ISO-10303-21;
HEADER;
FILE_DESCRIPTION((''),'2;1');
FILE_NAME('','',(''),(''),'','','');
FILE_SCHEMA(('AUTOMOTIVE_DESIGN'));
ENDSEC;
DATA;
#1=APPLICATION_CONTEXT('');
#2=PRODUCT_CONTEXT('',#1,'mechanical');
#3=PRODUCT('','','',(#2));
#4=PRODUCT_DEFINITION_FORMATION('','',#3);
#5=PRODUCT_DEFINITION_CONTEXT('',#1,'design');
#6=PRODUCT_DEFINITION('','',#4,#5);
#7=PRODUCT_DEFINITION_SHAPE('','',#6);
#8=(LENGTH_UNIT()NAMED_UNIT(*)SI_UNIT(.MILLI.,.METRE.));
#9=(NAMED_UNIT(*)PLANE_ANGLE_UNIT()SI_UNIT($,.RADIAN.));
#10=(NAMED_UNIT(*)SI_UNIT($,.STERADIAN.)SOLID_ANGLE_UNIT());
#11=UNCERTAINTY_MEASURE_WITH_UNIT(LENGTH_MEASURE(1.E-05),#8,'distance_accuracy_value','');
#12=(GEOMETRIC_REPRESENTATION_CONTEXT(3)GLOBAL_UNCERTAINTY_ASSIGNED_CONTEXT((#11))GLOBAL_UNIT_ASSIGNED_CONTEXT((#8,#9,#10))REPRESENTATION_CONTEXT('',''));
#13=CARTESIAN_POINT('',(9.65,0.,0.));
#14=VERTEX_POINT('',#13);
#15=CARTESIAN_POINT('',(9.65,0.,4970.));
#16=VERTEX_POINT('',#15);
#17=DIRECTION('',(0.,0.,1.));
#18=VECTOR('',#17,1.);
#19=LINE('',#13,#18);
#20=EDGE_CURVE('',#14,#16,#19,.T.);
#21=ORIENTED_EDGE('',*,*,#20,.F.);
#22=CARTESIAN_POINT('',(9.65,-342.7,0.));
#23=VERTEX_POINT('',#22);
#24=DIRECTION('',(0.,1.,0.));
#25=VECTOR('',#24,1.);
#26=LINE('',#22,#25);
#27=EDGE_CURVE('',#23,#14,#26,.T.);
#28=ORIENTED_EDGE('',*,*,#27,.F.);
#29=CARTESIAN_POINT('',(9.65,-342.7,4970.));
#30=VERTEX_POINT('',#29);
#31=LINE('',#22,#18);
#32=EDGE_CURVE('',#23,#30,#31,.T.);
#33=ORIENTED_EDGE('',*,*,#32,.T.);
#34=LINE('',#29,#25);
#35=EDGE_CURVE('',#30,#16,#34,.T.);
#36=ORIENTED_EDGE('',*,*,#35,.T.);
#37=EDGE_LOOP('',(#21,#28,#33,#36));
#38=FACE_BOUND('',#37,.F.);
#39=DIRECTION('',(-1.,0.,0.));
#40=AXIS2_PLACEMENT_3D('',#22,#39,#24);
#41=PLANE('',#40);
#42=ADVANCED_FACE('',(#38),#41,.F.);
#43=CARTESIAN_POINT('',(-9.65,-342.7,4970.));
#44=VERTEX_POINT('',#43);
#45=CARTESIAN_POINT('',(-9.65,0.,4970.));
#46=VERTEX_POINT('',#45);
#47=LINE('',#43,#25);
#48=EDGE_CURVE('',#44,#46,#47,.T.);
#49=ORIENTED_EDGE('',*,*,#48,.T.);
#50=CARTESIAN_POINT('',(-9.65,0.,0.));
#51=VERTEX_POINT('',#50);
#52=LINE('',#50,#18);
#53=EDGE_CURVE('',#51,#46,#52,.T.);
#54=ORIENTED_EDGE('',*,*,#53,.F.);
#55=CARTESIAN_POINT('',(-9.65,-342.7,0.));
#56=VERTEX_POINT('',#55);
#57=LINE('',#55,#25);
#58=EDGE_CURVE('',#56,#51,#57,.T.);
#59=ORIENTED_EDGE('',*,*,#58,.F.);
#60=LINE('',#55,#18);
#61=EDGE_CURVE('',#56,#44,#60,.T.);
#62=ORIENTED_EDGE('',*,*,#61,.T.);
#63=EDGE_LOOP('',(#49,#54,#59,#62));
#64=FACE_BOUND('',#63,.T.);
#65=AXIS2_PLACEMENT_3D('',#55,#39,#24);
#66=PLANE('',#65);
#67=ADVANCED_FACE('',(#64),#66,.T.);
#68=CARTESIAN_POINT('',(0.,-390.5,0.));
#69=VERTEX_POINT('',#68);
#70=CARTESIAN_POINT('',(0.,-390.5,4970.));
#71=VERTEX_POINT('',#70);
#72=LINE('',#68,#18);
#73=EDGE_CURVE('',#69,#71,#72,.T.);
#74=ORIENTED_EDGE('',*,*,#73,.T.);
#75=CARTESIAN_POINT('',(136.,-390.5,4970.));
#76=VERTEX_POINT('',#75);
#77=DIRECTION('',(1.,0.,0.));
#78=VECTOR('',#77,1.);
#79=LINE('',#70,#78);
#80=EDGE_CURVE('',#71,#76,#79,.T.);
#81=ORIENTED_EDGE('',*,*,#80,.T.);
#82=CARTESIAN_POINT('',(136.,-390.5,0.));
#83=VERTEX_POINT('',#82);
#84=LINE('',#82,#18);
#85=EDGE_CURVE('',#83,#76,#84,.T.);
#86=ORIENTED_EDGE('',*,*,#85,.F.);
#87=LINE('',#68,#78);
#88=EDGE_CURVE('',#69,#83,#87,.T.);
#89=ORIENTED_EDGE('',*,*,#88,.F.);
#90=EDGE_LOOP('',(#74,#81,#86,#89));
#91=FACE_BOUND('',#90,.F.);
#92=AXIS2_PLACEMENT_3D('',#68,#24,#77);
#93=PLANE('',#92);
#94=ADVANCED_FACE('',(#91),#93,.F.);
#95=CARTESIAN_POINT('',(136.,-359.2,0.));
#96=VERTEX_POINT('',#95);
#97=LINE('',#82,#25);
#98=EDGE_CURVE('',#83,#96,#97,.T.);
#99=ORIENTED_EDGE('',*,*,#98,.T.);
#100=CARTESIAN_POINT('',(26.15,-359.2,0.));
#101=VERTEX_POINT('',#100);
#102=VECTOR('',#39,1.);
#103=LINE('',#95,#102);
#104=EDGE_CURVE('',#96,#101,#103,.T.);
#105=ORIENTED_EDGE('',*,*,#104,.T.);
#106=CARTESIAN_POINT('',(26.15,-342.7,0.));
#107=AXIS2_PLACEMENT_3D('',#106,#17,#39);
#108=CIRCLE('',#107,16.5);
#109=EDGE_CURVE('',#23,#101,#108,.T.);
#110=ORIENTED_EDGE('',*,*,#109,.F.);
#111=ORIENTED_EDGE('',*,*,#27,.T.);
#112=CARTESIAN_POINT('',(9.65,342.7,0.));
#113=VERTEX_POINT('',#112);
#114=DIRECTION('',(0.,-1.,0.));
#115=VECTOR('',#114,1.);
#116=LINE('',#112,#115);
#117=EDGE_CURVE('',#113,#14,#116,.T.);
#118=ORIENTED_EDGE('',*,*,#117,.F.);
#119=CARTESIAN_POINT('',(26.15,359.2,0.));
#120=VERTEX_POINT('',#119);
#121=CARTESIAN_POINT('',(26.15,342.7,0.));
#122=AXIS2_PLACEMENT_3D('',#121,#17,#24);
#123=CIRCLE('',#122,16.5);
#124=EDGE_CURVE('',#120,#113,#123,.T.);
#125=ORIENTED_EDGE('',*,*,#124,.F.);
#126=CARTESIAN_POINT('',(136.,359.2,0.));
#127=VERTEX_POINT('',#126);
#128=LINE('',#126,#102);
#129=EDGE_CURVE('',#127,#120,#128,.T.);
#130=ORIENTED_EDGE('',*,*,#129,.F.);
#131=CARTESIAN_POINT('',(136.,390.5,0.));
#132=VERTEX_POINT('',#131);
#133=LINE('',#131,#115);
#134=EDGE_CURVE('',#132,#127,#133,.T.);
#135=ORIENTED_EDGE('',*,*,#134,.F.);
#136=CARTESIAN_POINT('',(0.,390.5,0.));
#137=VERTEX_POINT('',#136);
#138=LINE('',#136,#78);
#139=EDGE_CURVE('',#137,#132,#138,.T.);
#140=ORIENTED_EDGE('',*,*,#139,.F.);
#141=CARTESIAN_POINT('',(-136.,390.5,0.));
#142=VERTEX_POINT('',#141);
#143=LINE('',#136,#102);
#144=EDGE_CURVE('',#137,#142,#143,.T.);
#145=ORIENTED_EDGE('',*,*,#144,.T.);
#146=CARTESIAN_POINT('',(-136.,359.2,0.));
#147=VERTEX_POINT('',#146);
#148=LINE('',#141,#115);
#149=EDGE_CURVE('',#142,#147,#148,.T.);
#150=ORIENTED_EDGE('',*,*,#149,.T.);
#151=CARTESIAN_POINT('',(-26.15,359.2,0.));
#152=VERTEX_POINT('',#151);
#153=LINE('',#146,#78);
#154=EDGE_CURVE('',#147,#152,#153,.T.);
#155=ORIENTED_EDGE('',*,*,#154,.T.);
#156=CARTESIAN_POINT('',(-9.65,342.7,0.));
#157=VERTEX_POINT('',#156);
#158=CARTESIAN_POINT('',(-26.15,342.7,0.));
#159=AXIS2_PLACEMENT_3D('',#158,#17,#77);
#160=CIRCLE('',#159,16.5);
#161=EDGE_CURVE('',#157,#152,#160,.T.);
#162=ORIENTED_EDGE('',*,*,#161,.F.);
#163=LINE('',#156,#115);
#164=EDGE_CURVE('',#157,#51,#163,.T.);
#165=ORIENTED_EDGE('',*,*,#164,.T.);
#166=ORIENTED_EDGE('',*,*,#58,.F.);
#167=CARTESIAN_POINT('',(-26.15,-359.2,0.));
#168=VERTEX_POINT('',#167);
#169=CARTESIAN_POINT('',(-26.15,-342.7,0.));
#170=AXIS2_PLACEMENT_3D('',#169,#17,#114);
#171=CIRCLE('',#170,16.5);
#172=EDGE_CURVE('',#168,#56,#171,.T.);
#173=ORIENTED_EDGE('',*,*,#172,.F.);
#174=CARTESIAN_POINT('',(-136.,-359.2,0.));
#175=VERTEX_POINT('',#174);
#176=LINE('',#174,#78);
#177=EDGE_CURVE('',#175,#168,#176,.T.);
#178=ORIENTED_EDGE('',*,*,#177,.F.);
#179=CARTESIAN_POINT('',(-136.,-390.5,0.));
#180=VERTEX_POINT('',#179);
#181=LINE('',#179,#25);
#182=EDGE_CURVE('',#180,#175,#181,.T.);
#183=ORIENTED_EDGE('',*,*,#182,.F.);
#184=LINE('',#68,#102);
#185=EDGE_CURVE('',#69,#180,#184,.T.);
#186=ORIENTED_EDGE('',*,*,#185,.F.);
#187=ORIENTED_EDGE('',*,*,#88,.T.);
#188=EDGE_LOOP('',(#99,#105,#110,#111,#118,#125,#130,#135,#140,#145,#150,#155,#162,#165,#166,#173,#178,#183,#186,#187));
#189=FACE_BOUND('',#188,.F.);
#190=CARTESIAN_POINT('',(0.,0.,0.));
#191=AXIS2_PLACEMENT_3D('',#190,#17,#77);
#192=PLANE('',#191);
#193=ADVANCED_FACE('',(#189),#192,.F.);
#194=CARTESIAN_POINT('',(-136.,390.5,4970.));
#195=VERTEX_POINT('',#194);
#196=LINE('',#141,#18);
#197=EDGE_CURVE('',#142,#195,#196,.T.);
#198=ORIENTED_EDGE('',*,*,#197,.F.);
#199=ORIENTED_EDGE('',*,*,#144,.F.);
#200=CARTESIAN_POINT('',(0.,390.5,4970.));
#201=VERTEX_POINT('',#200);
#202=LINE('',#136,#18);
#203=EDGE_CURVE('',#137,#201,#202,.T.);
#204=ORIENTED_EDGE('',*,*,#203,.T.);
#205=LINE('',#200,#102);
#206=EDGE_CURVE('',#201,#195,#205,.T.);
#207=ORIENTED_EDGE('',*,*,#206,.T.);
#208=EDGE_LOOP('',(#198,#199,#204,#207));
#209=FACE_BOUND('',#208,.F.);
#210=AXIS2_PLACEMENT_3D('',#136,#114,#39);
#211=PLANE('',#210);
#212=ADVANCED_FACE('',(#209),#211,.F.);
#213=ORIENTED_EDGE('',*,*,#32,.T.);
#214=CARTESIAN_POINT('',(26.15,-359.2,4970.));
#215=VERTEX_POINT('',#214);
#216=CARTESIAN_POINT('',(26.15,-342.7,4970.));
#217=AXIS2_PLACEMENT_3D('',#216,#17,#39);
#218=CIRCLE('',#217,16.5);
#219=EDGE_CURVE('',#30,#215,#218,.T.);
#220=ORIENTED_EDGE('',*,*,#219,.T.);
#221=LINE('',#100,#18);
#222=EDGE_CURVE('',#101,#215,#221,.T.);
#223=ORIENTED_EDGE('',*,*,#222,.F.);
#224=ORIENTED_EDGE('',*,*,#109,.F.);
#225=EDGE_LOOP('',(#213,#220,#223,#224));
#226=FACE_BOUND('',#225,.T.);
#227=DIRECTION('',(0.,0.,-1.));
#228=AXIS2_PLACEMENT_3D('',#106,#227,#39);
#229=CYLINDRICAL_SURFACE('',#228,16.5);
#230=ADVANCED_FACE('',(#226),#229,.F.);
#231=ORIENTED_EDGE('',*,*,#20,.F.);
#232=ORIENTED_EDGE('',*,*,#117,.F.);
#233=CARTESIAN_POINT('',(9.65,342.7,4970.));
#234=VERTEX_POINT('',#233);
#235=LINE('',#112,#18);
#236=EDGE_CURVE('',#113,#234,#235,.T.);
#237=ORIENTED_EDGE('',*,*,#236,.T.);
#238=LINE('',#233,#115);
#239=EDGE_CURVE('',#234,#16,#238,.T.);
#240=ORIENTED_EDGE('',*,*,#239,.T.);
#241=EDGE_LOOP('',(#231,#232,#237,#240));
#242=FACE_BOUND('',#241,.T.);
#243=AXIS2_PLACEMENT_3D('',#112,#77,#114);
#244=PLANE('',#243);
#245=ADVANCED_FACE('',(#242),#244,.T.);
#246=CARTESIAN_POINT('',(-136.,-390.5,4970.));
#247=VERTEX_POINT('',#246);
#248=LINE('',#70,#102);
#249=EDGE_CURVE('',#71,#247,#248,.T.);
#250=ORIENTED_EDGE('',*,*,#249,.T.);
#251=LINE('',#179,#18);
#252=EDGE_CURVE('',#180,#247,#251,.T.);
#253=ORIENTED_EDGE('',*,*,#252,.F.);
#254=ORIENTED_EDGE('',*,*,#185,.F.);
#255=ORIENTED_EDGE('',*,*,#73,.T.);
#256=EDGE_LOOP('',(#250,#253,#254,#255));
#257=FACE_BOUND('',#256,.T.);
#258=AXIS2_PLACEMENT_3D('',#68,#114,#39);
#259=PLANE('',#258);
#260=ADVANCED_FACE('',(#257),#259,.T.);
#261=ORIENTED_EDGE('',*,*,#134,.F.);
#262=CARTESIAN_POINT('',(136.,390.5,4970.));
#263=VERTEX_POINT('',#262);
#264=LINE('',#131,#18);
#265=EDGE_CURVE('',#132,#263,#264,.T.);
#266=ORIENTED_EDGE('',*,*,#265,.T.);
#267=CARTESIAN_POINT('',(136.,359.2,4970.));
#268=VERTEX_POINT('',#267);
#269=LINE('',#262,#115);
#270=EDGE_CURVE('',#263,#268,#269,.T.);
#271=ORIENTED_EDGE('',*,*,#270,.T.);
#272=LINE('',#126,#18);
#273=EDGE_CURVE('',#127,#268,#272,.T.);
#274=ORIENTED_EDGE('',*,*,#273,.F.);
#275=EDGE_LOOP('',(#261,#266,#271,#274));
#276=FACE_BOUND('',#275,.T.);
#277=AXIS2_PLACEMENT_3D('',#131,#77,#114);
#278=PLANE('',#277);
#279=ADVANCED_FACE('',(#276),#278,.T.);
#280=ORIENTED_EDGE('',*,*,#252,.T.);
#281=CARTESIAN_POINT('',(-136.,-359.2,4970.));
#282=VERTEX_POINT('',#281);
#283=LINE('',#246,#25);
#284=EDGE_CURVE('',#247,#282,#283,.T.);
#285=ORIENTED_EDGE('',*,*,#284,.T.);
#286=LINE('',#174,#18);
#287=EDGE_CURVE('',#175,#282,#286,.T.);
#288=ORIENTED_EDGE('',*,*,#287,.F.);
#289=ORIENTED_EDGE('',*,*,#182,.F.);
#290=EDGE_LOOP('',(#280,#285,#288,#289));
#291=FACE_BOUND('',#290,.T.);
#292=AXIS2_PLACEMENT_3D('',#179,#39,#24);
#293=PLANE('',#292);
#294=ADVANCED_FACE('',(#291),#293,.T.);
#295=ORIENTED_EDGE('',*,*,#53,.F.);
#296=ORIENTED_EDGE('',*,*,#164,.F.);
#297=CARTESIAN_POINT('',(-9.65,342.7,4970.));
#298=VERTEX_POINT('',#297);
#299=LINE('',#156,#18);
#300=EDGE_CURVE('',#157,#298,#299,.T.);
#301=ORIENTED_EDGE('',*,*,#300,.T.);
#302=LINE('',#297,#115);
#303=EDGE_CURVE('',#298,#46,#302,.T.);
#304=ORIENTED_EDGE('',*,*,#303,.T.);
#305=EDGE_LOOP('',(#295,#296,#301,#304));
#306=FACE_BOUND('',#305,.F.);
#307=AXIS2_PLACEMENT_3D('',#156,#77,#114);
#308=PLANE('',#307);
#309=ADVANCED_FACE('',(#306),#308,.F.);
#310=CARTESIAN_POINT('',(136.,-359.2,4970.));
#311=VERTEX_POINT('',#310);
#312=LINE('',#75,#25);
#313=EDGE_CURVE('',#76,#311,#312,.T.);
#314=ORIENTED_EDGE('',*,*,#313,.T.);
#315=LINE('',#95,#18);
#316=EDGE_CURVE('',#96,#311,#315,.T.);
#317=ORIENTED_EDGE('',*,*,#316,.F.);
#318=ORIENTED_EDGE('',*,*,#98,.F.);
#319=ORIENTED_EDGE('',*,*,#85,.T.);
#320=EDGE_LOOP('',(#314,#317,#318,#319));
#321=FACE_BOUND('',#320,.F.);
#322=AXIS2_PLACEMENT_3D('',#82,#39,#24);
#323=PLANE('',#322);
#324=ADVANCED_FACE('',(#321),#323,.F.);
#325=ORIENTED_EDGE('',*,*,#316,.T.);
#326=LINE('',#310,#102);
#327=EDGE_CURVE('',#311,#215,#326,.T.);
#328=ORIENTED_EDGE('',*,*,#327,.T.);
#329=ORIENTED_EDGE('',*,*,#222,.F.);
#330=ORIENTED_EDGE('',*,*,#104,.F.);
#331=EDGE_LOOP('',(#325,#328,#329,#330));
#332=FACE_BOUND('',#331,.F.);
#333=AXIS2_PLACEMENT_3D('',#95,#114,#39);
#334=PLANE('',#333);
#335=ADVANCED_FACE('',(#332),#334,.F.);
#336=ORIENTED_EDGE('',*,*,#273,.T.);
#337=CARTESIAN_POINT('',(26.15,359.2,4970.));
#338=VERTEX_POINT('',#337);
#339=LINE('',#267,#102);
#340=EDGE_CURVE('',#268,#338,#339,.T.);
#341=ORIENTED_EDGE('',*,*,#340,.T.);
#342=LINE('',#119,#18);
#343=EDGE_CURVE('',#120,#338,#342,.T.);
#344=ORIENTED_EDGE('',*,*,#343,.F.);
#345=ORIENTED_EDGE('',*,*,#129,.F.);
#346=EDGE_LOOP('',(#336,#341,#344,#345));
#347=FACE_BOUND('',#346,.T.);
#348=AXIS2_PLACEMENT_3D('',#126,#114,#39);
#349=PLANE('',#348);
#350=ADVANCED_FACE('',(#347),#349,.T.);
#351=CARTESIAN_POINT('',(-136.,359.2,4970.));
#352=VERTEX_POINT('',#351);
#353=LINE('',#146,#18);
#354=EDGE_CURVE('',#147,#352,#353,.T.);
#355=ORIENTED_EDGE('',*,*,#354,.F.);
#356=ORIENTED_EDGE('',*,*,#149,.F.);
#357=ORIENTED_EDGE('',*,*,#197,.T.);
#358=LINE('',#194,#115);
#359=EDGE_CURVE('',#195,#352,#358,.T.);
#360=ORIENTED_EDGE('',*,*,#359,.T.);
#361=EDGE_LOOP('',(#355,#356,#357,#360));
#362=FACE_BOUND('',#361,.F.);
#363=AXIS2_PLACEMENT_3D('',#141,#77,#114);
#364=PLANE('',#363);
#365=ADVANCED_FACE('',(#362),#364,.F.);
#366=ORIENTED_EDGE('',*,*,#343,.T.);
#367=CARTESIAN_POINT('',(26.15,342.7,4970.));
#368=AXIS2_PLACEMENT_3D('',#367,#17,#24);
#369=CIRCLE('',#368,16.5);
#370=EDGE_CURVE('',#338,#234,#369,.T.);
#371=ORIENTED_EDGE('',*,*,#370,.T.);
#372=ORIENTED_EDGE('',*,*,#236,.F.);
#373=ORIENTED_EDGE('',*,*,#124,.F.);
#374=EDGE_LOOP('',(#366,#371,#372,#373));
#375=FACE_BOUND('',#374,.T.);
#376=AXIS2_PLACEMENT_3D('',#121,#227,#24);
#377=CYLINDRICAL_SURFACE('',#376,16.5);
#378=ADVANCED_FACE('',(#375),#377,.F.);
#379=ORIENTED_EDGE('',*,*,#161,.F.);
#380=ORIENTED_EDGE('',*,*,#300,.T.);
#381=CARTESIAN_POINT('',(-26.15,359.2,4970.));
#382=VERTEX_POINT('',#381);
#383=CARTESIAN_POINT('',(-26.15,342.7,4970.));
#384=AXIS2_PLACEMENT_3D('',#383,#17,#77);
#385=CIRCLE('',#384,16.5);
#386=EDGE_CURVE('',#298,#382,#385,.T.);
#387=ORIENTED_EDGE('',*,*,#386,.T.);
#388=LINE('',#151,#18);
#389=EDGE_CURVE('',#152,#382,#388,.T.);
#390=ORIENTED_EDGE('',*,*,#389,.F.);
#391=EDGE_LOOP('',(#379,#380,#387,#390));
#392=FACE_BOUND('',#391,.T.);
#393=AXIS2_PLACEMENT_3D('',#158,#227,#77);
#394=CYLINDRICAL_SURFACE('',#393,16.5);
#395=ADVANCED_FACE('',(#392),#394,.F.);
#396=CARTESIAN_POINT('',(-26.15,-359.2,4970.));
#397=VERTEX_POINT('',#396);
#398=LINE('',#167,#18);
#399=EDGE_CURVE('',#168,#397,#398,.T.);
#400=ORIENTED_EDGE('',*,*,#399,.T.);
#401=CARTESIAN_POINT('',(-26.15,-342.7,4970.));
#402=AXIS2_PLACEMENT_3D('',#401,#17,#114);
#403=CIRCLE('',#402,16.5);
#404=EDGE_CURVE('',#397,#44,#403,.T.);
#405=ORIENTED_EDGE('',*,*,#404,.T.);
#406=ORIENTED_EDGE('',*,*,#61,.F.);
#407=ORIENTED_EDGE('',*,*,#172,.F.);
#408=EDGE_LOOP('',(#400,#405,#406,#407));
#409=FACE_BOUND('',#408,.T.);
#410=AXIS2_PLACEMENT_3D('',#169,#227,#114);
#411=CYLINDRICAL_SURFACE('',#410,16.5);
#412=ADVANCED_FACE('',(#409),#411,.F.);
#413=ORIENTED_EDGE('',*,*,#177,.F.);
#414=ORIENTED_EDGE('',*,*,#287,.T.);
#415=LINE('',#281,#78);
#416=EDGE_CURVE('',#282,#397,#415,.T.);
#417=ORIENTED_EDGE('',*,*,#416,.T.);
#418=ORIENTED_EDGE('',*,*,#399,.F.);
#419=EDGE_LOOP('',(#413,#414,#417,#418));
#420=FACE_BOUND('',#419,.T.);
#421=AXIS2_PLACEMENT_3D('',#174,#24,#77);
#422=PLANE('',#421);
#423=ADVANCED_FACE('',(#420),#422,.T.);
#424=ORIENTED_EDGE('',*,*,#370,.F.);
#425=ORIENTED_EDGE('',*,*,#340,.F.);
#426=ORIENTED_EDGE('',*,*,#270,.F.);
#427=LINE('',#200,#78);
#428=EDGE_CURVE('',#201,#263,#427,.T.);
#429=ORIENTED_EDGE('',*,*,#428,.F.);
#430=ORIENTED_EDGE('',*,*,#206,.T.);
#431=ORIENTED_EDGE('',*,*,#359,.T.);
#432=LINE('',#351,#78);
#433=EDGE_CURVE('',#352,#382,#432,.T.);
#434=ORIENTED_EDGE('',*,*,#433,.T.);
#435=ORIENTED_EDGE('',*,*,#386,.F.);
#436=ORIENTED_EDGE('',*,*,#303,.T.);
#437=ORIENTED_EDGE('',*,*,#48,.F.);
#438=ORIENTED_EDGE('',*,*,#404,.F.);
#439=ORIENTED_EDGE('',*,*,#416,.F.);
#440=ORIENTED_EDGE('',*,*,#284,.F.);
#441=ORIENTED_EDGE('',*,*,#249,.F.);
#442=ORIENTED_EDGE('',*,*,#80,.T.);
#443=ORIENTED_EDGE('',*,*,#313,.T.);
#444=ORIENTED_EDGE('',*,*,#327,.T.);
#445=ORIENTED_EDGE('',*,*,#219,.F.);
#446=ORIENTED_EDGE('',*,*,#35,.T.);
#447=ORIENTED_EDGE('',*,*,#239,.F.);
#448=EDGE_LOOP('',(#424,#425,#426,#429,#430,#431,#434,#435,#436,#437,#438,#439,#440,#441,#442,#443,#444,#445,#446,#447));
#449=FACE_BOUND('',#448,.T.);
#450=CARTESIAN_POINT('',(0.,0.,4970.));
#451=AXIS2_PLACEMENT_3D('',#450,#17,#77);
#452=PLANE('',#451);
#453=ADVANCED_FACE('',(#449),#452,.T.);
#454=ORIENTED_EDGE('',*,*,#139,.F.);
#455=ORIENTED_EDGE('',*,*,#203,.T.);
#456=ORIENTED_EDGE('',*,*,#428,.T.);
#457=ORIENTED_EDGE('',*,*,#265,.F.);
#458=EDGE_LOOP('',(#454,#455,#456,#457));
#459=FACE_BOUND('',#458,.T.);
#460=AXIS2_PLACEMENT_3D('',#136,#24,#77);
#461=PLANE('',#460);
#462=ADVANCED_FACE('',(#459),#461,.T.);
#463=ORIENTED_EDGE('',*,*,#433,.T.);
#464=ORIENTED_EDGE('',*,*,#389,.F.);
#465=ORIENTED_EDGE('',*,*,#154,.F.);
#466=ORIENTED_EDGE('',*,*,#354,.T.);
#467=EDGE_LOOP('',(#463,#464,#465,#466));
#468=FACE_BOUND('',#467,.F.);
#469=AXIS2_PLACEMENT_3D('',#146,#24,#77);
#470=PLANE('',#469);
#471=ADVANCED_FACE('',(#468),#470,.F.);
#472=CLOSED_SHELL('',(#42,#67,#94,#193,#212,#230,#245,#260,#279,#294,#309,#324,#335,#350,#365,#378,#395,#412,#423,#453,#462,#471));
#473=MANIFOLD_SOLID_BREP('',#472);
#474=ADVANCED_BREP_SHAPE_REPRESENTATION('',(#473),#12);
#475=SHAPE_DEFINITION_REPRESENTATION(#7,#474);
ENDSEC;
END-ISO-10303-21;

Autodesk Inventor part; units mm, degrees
ref_plane "YZ Plane" through (0, 0, 0) normal (1, 0, 0) x (0, 1, 0)
ref_plane "Start plane" through (0, 0, 0) normal (0, 0, 1) x (1, 0, 0)
ref_plane "End plane" through (0, 0, 4970) normal (0, 0, 1) x (1, 0, 0)
sketch "Sketch" plane through (0, 0, 0) normal (0, 0, 1) x (1, 0, 0)
  line L0 (-136, -390.5) -> (-136, -359.2)
  line L1 (-136, -359.2) -> (-26.15, -359.2)
  line L2 (-9.65, -342.7) -> (-9.65, 0)
  line L3 (-9.65, 0) -> (0, 0) construction
  line L4 (0, 0) -> (0, -390.5) construction
  line L5 (0, -390.5) -> (-136, -390.5)
  line L6 (-60, 0) -> (80, 0) construction
  line L7 (0, -60) -> (0, 80) construction
  line L8 (136, -390.5) -> (136, -359.2)
  line L9 (136, -359.2) -> (26.15, -359.2)
  line L10 (9.65, -342.7) -> (9.65, 0)
  line L11 (9.65, 0) -> (0, 0) construction
  line L12 (0, -390.5) -> (136, -390.5)
  line L13 (-136, 390.5) -> (-136, 359.2)
  line L14 (-136, 359.2) -> (-26.15, 359.2)
  line L15 (-9.65, 342.7) -> (-9.65, 0)
  line L16 (0, 390.5) -> (-136, 390.5)
  line L17 (136, 390.5) -> (136, 359.2)
  line L18 (136, 359.2) -> (26.15, 359.2)
  line L19 (0, 390.5) -> (136, 390.5)
  line L20 (9.65, 342.7) -> (9.65, 0)
  arc A0 (-9.65, 342.7) -> (-26.15, 359.2) centre (-26.15, 342.7) ccw
  arc A1 (26.15, 359.2) -> (9.65, 342.7) centre (26.15, 342.7) ccw
  arc A2 (9.65, -342.7) -> (26.15, -359.2) centre (26.15, -342.7) ccw
  arc A3 (-26.15, -359.2) -> (-9.65, -342.7) centre (-26.15, -342.7) ccw
  line L21 (0, 108) -> (0, -88) construction
  line L22 (-88, 0) -> (108, 0) construction
  point P0 (-9.65, -359.2)
  point P1 (9.65, -359.2)
  point P2 (-9.65, 359.2)
  point P3 (9.65, 359.2)
  dimension "d1" = 390.5
  dimension "d2" = 31.3
  dimension "d3" = 136
  dimension "d4" = 9.65
  dimension "d10" = 16.5
extrude "Body" add sketch "Sketch" along normal up to surface (4970 mm away) from surface at 0
sketch "Sketch4" plane through (0, 0, 0) normal (0, 0, 1) x (1, 0, 0)
  line L0 (0, 0) -> (10, 0)
ref_plane "Work Plane3" through (0, 0, 0) normal (0, -1, 0) x (1, 0, 0)
sketch "Sketch5" plane through (0, 0, 0) normal (0, -1, 0) x (1, 0, 0)
  line L0 (-2, 0) -> (12, 0) projected
  line L1 (-2, 4970) -> (12, 4970) projected
  dimension "d14" = 4970
equation "\"d1\" = 0.5 * G_H"
equation "\"d2\" = G_T1"
equation "\"d3\" = 0.5 * G_W"
equation "\"d4\" = 0.5 * G_T"
equation "\"d10\" = G_IR"
equation "\"d5\" = G_L"
equation "\"G_W\" = 272"
equation "\"G_H\" = 781"
equation "\"G_T\" = 19.3"
equation "\"G_T1\" = 31.3"
equation "\"G_IR\" = 16.5"
equation "\"G_L\" = d14"
equation "\"G_OFFSET_START\" = 0"
equation "\"G_OFFSET_END\" = 0"
properties part number "AS 3679-1990 - 760 UB - 244 - 4970" material "Steel, Mild"
